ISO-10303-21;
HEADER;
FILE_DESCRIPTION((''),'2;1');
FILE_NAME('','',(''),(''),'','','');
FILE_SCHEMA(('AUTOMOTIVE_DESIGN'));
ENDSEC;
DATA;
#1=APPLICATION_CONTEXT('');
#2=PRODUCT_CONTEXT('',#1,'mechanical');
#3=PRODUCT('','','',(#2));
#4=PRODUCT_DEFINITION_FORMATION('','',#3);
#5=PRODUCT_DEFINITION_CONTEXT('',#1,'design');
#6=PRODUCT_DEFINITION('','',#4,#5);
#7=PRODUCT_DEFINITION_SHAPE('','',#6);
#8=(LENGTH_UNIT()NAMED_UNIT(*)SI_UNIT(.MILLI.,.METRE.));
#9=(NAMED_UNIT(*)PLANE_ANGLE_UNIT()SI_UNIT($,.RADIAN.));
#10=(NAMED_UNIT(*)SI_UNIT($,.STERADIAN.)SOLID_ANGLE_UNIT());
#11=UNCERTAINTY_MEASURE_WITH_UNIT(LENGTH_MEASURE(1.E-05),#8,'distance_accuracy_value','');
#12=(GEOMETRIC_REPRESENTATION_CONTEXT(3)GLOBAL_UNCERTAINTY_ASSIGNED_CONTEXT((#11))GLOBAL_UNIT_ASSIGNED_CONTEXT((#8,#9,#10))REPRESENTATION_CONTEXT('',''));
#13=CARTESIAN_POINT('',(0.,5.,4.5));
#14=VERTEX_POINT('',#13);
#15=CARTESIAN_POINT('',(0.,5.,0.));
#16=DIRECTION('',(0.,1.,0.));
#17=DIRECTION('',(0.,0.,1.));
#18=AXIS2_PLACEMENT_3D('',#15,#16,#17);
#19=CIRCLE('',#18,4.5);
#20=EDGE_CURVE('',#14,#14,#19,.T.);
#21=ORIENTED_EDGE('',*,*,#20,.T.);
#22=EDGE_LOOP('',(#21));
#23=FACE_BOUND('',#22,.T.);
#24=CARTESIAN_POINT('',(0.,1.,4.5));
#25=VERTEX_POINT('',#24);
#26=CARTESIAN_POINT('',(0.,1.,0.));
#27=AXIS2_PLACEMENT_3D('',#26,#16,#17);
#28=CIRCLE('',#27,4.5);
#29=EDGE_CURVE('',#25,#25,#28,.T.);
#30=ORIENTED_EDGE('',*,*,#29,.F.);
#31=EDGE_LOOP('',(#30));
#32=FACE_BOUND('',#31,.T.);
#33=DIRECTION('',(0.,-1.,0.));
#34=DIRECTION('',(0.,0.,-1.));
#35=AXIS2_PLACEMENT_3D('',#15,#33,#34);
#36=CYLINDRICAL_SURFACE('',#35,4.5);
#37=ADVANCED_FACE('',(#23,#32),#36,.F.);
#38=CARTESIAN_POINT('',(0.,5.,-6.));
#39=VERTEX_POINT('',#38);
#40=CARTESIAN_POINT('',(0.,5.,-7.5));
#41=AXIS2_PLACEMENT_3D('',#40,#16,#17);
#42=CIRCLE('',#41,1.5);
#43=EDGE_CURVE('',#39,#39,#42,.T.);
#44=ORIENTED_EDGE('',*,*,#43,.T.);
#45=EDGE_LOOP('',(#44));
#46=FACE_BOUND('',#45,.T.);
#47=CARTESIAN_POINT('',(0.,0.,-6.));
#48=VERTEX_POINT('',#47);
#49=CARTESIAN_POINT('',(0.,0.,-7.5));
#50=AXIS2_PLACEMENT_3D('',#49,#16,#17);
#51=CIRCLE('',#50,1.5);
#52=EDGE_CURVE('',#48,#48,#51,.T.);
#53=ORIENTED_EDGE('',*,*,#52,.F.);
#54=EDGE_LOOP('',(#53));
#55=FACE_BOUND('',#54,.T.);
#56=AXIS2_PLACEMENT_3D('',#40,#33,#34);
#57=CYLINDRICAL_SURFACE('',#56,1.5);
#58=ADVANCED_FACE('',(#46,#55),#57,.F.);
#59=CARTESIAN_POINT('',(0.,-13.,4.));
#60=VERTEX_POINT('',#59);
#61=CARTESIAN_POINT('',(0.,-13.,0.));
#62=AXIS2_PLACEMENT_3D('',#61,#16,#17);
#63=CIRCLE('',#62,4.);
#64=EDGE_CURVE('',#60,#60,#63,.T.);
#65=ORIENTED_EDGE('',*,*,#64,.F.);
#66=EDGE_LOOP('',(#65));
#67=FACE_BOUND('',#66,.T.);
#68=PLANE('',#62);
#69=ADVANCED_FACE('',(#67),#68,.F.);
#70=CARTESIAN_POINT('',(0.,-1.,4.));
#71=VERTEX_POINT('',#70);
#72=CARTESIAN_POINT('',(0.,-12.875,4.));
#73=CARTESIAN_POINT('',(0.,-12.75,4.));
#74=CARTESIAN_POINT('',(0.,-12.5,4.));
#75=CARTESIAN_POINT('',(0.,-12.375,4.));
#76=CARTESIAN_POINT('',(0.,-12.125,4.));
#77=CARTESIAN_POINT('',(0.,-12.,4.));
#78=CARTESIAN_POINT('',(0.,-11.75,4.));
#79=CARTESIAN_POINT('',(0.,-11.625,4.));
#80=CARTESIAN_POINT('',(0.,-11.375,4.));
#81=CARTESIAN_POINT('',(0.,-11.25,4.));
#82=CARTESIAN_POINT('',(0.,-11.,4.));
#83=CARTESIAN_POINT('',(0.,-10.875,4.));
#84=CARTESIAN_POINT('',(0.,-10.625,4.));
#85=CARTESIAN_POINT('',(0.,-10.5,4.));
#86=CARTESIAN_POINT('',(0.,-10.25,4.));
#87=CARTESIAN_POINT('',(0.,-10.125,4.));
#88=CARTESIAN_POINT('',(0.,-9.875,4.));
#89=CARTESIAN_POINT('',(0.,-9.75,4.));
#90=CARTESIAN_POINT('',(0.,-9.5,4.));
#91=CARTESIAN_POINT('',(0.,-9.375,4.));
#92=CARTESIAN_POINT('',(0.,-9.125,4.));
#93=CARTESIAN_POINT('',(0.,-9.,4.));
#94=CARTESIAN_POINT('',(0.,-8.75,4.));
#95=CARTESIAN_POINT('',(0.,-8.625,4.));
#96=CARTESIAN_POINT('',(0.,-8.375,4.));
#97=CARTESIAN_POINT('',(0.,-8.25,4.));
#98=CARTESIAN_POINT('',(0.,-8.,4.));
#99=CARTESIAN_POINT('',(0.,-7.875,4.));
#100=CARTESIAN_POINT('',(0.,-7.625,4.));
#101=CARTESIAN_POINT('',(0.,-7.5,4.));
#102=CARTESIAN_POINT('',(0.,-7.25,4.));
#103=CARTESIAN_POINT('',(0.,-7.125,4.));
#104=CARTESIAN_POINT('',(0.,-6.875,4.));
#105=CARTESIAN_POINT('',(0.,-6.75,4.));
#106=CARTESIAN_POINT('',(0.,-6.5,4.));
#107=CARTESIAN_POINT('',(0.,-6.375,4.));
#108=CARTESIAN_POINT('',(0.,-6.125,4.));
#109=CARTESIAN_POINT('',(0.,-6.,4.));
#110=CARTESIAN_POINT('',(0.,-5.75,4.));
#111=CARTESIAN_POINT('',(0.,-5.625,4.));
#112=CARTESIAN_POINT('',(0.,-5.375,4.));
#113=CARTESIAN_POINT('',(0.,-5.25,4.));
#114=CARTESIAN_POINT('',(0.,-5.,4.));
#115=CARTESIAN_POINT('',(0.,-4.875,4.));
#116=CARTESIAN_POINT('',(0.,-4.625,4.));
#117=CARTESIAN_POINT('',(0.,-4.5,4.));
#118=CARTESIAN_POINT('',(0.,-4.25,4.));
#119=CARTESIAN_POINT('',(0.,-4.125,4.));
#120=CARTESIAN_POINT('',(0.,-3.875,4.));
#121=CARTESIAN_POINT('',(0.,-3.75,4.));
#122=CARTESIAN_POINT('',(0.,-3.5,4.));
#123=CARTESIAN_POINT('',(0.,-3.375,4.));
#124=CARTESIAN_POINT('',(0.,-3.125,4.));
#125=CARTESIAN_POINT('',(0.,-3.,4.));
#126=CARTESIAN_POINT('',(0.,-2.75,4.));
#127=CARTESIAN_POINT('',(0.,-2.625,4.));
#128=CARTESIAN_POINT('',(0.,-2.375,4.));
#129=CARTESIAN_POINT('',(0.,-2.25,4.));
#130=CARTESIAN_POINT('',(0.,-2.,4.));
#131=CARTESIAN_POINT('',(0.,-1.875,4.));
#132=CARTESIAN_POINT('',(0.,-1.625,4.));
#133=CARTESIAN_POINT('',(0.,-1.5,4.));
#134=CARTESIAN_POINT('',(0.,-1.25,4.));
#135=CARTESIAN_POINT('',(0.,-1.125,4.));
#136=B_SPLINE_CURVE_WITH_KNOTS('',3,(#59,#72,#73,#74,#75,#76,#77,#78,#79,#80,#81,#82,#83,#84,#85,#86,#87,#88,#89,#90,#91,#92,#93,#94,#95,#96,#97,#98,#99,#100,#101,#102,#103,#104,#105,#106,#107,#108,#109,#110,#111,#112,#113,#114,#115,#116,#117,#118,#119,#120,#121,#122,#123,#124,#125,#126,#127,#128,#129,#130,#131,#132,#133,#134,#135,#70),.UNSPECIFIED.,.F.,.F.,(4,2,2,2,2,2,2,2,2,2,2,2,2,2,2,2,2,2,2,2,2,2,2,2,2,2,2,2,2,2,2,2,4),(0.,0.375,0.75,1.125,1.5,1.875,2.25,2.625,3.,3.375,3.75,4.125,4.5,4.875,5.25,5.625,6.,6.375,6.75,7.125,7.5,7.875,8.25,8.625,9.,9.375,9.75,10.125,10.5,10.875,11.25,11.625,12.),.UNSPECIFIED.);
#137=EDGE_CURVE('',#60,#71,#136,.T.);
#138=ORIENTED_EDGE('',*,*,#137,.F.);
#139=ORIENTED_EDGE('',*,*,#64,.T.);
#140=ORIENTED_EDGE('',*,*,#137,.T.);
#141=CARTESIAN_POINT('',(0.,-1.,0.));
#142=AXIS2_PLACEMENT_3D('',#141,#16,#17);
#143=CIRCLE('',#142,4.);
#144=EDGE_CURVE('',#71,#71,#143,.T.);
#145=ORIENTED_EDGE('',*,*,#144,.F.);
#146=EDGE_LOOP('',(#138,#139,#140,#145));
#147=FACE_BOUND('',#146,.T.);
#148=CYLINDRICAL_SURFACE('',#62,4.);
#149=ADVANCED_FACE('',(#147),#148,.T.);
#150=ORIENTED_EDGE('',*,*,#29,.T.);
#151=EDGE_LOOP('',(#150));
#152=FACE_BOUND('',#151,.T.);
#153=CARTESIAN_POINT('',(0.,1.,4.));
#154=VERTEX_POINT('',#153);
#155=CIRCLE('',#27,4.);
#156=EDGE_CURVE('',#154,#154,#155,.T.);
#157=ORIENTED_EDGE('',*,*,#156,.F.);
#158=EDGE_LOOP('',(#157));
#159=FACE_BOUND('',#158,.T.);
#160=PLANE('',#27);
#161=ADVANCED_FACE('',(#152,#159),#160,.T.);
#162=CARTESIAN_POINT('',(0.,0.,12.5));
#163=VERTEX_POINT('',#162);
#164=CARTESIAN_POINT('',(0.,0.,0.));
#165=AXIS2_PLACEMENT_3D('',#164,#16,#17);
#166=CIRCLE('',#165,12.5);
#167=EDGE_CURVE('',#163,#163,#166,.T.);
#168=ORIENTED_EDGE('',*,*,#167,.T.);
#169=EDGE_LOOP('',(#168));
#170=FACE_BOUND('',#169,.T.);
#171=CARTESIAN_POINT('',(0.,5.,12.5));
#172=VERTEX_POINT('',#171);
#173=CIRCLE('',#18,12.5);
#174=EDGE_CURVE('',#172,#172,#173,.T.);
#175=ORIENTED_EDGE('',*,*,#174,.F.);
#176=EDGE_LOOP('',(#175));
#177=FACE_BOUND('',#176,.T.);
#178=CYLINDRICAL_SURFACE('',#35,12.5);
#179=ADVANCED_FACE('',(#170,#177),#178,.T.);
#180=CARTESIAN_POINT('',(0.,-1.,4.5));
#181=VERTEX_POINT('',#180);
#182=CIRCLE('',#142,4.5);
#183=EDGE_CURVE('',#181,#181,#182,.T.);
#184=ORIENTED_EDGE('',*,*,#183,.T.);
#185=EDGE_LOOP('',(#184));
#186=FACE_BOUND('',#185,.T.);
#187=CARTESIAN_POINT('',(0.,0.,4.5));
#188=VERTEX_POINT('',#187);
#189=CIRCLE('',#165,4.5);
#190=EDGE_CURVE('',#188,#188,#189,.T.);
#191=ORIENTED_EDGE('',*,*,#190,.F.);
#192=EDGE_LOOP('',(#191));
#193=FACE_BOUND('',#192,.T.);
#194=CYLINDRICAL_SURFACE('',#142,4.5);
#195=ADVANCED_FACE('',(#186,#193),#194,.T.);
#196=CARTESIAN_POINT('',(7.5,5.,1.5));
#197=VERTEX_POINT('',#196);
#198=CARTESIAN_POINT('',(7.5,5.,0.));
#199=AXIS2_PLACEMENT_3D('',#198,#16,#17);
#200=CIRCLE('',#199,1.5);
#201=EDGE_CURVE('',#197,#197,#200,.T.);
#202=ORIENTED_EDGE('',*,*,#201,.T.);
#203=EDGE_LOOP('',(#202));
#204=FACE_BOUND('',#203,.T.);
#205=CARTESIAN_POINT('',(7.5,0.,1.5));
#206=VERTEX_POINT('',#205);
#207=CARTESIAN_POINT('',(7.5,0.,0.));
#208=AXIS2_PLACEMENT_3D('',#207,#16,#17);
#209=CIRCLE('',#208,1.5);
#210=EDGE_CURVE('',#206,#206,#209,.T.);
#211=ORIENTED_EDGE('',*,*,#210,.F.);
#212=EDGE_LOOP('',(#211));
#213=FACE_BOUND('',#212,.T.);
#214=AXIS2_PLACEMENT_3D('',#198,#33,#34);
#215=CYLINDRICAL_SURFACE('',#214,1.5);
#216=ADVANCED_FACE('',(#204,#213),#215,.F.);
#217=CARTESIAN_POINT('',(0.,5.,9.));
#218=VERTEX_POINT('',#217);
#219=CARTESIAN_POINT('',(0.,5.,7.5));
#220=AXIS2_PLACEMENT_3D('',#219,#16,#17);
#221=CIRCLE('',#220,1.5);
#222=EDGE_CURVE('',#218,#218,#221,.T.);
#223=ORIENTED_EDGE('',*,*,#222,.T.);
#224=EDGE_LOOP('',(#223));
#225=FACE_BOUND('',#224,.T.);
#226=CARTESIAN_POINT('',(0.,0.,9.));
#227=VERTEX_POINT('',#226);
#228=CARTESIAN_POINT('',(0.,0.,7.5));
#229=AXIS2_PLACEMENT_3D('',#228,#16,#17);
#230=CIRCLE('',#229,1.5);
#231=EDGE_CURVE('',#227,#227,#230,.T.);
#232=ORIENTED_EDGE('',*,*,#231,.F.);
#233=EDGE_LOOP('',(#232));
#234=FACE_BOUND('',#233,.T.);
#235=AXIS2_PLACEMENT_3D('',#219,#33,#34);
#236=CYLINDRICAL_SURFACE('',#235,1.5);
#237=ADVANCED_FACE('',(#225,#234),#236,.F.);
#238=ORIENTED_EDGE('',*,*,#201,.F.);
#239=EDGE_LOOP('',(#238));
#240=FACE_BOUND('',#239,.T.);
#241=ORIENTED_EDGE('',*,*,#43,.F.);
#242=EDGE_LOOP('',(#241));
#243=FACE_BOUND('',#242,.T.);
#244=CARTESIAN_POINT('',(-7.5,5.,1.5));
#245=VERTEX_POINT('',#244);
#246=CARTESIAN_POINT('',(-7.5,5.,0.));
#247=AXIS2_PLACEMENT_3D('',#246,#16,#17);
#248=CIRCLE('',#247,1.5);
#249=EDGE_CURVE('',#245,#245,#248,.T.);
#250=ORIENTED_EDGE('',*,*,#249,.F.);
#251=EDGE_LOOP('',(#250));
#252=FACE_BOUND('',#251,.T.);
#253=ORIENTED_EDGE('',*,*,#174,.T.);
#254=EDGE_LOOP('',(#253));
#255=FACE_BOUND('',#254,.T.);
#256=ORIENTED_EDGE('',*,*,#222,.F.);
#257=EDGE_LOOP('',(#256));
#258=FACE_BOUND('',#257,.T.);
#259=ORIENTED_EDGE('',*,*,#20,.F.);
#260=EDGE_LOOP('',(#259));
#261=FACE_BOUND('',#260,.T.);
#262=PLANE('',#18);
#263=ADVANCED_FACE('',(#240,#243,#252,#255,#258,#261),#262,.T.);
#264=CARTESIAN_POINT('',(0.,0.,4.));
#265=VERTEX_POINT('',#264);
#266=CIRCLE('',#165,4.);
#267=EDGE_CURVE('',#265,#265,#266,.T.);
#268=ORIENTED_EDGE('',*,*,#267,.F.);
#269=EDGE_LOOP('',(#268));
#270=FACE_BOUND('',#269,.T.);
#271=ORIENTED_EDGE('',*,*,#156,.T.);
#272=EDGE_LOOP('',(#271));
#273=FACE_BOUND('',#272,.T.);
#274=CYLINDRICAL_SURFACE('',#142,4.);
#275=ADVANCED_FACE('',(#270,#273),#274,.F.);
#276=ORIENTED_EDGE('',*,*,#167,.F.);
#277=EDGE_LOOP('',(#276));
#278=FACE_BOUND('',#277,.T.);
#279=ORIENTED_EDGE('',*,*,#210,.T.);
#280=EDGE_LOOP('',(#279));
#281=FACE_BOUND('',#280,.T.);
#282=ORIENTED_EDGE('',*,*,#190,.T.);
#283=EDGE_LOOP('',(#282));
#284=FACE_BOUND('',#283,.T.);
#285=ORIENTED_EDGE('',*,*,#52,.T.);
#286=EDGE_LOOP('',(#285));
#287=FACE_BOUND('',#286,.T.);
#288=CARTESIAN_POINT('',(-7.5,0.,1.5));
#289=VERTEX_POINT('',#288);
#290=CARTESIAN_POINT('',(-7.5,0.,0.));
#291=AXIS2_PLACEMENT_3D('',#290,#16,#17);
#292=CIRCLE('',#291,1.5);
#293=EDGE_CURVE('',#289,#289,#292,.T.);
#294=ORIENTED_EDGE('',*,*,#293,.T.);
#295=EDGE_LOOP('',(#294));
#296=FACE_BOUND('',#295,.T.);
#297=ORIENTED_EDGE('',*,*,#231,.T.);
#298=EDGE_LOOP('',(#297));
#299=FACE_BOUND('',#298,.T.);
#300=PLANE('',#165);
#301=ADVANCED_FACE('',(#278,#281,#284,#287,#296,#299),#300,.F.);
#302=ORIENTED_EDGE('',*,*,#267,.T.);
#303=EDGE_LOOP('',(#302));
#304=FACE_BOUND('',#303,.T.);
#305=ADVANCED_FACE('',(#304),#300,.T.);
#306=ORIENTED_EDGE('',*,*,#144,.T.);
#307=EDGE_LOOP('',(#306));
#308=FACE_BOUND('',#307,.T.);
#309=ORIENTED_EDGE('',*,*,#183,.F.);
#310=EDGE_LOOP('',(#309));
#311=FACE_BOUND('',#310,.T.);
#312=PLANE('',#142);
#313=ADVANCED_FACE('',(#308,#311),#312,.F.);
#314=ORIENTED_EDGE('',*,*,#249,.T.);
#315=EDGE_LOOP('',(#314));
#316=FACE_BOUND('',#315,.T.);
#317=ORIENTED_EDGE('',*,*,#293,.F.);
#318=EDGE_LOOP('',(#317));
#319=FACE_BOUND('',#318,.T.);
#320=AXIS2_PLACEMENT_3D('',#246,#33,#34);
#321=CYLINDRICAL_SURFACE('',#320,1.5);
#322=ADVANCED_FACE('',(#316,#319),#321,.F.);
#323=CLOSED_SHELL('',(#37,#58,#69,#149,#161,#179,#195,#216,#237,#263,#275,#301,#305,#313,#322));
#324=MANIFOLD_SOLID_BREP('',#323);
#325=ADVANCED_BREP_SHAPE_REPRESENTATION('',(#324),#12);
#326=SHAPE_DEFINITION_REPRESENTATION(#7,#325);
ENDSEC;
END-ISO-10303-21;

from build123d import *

# Parameters (mm, degrees)
SKETCH1_R                = 12.5
SKETCH1_R_2              = 1.5
SKETCH1_R_3              = 4.5
BOSS_EXTRUDE1_DEPTH      = 5
SKETCH1_3_R              = 4
BOSS_EXTRUDE2_DEPTH      = 13
BOSS_EXTRUDE3_DEPTH      = 1
BOSS_EXTRUDE3_DEPTH_BACK = 1
SKETCH1_4_R              = 4.5
SKETCH1_4_R_2            = 4


with BuildPart() as part:
    # Sketch1 → Boss-Extrude1 (new body)
    with BuildSketch(Plane(origin=(0, 0, 0), x_dir=(1, 0, 0), z_dir=(0, 1, 0))):
        Circle(SKETCH1_R)
        with Locations((-7.5, 0)):
            Circle(SKETCH1_R_2, mode=Mode.SUBTRACT)
        with Locations((0, -7.5)):
            Circle(SKETCH1_R_2, mode=Mode.SUBTRACT)
        Circle(SKETCH1_R_3, mode=Mode.SUBTRACT)
        with Locations((7.5, 0)):
            Circle(SKETCH1_R_2, mode=Mode.SUBTRACT)
        with Locations((0, 7.5)):
            Circle(SKETCH1_R_2, mode=Mode.SUBTRACT)
    extrude(amount=BOSS_EXTRUDE1_DEPTH)



with BuildPart() as body_2:
    # Sketch1<3> → Boss-Extrude2 (new body)
    with BuildSketch(Plane(origin=(0, 0, 0), x_dir=(1, 0, 0), z_dir=(0, 1, 0))):
        Circle(SKETCH1_3_R)
    extrude(amount=-BOSS_EXTRUDE2_DEPTH)


with BuildPart() as part_1:
    add(part.part)

    add(body_2.part)  # Boss-Extrude3 merges body 2
    # Sketch1<4> → Boss-Extrude3 (add, two sides: drawn at the far end of the back side and taken through both)
    with BuildSketch(Plane(origin=(0, 0, 0), x_dir=(1, 0, 0), z_dir=(0, 1, 0)).offset(-BOSS_EXTRUDE3_DEPTH_BACK)):
        Circle(SKETCH1_4_R)
        Circle(SKETCH1_4_R_2, mode=Mode.SUBTRACT)
    extrude(amount=BOSS_EXTRUDE3_DEPTH + BOSS_EXTRUDE3_DEPTH_BACK)


solid = part_1.part
